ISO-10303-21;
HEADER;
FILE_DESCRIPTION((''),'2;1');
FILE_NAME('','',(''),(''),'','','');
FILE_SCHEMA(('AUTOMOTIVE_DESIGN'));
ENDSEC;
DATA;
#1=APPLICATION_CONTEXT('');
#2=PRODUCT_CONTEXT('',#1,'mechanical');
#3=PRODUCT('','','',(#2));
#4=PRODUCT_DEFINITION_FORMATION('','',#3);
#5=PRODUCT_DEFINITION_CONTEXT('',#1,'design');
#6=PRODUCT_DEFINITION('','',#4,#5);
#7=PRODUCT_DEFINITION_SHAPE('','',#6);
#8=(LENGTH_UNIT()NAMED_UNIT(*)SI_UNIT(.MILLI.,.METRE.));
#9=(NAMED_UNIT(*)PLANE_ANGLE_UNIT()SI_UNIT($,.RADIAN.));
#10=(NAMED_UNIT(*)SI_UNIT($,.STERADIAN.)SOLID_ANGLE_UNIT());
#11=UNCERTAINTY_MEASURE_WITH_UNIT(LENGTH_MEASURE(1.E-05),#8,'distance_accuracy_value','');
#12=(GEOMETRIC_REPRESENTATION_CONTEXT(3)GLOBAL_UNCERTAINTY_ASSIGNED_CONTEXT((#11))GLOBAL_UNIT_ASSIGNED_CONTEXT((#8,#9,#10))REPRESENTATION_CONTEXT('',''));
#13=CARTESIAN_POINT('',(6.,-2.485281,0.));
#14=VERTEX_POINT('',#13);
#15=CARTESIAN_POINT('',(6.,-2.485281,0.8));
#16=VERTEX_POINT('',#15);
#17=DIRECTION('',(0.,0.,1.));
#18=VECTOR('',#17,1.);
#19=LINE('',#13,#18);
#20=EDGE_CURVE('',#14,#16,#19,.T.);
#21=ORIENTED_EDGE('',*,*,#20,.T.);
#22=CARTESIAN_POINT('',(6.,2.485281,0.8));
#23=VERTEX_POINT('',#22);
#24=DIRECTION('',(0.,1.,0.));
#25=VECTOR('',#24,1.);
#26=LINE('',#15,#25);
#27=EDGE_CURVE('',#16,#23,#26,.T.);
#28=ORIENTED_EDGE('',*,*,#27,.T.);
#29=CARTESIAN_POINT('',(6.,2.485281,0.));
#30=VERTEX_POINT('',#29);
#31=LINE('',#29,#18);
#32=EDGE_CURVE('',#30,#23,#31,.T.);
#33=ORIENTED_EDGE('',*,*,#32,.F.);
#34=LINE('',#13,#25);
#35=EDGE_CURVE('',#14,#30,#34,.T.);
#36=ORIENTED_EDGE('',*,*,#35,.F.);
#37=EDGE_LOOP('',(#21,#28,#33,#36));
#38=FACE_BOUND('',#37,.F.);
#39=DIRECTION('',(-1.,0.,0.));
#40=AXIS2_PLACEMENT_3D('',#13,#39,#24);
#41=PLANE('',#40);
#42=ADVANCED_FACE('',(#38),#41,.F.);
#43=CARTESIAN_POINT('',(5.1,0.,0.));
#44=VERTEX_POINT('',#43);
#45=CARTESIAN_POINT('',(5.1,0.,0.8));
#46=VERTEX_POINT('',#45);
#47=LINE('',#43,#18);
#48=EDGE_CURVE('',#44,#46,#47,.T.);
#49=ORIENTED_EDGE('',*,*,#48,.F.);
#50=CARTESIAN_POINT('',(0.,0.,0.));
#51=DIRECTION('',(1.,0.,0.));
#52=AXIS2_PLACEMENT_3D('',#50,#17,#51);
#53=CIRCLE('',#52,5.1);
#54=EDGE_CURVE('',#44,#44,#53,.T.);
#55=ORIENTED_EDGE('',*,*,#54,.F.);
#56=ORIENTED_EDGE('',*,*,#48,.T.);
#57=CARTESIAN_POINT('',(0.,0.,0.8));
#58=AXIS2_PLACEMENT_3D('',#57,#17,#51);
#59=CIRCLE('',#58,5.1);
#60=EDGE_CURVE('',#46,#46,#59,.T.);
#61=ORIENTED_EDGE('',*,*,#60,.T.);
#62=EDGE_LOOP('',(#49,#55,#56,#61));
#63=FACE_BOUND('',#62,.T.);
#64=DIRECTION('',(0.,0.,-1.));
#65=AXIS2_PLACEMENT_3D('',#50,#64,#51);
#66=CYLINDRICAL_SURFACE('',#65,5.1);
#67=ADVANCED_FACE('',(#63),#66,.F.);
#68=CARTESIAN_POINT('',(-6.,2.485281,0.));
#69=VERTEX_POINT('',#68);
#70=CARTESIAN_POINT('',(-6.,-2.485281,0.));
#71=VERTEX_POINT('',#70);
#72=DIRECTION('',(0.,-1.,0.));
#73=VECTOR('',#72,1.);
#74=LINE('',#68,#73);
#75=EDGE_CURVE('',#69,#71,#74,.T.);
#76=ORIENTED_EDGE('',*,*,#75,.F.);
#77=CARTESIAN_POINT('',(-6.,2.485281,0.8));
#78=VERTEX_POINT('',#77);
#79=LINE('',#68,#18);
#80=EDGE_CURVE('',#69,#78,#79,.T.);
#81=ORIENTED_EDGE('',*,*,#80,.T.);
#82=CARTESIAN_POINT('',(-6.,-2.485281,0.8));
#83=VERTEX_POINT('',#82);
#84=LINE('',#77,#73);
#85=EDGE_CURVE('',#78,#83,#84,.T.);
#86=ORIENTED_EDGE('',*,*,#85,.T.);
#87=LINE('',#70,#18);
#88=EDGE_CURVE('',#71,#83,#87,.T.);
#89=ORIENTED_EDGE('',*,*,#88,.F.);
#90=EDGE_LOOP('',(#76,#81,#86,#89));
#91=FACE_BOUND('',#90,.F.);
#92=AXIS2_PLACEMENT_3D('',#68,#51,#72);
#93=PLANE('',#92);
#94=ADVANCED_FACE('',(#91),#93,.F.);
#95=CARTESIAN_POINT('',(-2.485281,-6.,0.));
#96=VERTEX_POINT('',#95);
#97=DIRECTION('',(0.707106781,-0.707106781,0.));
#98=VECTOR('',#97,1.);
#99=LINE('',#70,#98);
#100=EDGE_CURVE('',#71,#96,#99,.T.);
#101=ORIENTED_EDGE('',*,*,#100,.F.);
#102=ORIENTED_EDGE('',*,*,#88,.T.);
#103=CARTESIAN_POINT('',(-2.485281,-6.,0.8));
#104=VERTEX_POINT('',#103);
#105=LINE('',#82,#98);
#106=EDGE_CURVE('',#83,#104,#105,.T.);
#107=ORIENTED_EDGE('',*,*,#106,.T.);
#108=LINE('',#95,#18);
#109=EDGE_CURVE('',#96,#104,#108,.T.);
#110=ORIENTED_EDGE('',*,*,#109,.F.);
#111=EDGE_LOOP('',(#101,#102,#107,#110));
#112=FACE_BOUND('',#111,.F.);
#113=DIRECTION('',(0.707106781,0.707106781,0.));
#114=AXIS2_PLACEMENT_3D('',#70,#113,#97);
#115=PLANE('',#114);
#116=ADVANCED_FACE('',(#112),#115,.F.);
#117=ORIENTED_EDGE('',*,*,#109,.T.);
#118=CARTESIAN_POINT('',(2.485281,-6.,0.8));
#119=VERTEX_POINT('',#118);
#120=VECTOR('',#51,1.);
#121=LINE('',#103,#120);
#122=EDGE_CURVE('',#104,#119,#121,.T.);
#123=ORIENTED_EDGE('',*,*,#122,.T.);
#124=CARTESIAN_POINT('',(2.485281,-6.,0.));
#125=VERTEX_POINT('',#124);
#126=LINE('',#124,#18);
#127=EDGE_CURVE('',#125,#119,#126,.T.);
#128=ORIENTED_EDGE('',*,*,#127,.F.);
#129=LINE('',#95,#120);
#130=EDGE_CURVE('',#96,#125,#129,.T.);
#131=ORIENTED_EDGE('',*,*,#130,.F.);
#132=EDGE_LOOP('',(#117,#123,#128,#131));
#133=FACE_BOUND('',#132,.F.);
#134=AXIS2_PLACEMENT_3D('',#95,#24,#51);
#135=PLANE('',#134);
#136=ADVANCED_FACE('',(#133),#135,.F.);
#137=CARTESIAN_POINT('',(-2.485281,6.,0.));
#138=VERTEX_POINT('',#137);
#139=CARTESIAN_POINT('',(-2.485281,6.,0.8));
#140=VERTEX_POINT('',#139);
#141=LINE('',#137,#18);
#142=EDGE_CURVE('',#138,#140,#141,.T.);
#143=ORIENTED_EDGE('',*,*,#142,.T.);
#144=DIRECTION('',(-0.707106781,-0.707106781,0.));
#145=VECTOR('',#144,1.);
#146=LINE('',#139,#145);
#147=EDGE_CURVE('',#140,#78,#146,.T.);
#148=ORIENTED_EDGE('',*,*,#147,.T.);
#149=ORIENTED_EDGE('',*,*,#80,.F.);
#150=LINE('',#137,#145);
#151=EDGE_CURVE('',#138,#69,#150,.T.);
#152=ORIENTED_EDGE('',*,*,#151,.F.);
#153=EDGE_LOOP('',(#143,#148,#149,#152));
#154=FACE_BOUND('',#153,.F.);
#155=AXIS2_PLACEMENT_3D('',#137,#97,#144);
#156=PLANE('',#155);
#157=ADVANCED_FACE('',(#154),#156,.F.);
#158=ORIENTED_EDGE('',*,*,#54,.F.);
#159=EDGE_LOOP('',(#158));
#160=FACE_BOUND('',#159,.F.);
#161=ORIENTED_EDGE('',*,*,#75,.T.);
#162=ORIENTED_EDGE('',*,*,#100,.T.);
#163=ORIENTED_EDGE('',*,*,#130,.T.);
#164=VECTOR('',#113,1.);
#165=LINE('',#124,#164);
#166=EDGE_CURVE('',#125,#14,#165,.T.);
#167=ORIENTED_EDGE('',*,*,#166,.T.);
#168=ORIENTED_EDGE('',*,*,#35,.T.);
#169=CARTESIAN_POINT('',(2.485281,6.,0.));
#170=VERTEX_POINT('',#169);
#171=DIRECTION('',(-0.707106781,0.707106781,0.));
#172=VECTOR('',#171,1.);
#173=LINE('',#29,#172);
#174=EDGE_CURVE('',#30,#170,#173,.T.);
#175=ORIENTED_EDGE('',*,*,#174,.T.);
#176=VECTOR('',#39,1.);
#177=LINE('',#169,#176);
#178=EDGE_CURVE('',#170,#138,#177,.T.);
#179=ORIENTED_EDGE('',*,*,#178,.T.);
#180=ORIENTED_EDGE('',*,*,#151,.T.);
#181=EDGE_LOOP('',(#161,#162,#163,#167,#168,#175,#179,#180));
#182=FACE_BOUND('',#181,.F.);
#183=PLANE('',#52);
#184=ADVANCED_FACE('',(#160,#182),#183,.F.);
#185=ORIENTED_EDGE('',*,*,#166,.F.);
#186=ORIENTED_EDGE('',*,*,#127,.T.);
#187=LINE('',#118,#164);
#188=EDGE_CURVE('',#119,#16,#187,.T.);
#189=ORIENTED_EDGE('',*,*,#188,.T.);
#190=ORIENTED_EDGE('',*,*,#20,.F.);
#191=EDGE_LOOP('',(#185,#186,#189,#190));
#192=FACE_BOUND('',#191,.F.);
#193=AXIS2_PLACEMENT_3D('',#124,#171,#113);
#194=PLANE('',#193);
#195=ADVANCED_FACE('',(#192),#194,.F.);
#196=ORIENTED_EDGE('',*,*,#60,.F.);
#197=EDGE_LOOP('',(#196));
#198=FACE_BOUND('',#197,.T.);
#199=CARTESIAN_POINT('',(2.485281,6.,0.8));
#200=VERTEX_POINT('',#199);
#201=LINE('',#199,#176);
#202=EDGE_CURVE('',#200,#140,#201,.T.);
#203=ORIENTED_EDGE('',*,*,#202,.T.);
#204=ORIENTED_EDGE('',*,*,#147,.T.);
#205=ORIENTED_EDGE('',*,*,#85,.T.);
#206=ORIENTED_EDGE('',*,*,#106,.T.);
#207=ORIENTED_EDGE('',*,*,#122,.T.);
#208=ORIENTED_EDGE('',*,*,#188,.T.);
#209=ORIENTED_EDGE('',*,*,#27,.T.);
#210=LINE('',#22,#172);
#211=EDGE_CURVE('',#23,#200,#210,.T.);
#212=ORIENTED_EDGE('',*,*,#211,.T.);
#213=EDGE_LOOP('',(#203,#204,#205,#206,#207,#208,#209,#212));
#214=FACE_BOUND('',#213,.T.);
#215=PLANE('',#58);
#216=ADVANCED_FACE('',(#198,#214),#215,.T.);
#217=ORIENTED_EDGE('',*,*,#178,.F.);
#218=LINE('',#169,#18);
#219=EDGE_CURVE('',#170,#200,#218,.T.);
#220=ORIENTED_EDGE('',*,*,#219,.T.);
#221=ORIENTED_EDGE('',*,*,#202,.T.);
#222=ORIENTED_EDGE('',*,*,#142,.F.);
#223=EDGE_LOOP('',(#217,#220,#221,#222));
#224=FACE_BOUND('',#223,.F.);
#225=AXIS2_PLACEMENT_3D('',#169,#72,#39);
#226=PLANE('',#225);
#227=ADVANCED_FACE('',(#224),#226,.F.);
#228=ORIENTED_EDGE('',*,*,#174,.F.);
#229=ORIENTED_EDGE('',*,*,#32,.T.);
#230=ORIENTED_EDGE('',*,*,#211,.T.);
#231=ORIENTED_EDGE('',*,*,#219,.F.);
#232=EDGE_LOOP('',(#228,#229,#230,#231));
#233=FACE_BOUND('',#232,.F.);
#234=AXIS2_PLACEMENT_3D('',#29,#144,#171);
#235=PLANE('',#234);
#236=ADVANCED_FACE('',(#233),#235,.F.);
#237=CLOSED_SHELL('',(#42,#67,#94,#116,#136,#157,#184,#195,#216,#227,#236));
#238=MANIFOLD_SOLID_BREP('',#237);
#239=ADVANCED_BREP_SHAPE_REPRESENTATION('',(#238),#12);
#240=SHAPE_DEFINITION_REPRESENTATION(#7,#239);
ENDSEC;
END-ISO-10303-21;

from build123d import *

# Parameters (mm, degrees)
F0_R     = 5.1
F1_DEPTH = 0.8


with BuildPart() as f1:
    # F0 (on Top) → F1 (new body)
    with BuildSketch(Plane.XY):
        Polygon((2.485281, 6), (-2.485281, 6), (-6, 2.485281), (-6, -2.485281), (-2.485281, -6), (2.485281, -6), (6, -2.485281), (6, 2.485281), align=None)
        Circle(F0_R, mode=Mode.SUBTRACT)
    extrude(amount=F1_DEPTH)


solid = f1.part
